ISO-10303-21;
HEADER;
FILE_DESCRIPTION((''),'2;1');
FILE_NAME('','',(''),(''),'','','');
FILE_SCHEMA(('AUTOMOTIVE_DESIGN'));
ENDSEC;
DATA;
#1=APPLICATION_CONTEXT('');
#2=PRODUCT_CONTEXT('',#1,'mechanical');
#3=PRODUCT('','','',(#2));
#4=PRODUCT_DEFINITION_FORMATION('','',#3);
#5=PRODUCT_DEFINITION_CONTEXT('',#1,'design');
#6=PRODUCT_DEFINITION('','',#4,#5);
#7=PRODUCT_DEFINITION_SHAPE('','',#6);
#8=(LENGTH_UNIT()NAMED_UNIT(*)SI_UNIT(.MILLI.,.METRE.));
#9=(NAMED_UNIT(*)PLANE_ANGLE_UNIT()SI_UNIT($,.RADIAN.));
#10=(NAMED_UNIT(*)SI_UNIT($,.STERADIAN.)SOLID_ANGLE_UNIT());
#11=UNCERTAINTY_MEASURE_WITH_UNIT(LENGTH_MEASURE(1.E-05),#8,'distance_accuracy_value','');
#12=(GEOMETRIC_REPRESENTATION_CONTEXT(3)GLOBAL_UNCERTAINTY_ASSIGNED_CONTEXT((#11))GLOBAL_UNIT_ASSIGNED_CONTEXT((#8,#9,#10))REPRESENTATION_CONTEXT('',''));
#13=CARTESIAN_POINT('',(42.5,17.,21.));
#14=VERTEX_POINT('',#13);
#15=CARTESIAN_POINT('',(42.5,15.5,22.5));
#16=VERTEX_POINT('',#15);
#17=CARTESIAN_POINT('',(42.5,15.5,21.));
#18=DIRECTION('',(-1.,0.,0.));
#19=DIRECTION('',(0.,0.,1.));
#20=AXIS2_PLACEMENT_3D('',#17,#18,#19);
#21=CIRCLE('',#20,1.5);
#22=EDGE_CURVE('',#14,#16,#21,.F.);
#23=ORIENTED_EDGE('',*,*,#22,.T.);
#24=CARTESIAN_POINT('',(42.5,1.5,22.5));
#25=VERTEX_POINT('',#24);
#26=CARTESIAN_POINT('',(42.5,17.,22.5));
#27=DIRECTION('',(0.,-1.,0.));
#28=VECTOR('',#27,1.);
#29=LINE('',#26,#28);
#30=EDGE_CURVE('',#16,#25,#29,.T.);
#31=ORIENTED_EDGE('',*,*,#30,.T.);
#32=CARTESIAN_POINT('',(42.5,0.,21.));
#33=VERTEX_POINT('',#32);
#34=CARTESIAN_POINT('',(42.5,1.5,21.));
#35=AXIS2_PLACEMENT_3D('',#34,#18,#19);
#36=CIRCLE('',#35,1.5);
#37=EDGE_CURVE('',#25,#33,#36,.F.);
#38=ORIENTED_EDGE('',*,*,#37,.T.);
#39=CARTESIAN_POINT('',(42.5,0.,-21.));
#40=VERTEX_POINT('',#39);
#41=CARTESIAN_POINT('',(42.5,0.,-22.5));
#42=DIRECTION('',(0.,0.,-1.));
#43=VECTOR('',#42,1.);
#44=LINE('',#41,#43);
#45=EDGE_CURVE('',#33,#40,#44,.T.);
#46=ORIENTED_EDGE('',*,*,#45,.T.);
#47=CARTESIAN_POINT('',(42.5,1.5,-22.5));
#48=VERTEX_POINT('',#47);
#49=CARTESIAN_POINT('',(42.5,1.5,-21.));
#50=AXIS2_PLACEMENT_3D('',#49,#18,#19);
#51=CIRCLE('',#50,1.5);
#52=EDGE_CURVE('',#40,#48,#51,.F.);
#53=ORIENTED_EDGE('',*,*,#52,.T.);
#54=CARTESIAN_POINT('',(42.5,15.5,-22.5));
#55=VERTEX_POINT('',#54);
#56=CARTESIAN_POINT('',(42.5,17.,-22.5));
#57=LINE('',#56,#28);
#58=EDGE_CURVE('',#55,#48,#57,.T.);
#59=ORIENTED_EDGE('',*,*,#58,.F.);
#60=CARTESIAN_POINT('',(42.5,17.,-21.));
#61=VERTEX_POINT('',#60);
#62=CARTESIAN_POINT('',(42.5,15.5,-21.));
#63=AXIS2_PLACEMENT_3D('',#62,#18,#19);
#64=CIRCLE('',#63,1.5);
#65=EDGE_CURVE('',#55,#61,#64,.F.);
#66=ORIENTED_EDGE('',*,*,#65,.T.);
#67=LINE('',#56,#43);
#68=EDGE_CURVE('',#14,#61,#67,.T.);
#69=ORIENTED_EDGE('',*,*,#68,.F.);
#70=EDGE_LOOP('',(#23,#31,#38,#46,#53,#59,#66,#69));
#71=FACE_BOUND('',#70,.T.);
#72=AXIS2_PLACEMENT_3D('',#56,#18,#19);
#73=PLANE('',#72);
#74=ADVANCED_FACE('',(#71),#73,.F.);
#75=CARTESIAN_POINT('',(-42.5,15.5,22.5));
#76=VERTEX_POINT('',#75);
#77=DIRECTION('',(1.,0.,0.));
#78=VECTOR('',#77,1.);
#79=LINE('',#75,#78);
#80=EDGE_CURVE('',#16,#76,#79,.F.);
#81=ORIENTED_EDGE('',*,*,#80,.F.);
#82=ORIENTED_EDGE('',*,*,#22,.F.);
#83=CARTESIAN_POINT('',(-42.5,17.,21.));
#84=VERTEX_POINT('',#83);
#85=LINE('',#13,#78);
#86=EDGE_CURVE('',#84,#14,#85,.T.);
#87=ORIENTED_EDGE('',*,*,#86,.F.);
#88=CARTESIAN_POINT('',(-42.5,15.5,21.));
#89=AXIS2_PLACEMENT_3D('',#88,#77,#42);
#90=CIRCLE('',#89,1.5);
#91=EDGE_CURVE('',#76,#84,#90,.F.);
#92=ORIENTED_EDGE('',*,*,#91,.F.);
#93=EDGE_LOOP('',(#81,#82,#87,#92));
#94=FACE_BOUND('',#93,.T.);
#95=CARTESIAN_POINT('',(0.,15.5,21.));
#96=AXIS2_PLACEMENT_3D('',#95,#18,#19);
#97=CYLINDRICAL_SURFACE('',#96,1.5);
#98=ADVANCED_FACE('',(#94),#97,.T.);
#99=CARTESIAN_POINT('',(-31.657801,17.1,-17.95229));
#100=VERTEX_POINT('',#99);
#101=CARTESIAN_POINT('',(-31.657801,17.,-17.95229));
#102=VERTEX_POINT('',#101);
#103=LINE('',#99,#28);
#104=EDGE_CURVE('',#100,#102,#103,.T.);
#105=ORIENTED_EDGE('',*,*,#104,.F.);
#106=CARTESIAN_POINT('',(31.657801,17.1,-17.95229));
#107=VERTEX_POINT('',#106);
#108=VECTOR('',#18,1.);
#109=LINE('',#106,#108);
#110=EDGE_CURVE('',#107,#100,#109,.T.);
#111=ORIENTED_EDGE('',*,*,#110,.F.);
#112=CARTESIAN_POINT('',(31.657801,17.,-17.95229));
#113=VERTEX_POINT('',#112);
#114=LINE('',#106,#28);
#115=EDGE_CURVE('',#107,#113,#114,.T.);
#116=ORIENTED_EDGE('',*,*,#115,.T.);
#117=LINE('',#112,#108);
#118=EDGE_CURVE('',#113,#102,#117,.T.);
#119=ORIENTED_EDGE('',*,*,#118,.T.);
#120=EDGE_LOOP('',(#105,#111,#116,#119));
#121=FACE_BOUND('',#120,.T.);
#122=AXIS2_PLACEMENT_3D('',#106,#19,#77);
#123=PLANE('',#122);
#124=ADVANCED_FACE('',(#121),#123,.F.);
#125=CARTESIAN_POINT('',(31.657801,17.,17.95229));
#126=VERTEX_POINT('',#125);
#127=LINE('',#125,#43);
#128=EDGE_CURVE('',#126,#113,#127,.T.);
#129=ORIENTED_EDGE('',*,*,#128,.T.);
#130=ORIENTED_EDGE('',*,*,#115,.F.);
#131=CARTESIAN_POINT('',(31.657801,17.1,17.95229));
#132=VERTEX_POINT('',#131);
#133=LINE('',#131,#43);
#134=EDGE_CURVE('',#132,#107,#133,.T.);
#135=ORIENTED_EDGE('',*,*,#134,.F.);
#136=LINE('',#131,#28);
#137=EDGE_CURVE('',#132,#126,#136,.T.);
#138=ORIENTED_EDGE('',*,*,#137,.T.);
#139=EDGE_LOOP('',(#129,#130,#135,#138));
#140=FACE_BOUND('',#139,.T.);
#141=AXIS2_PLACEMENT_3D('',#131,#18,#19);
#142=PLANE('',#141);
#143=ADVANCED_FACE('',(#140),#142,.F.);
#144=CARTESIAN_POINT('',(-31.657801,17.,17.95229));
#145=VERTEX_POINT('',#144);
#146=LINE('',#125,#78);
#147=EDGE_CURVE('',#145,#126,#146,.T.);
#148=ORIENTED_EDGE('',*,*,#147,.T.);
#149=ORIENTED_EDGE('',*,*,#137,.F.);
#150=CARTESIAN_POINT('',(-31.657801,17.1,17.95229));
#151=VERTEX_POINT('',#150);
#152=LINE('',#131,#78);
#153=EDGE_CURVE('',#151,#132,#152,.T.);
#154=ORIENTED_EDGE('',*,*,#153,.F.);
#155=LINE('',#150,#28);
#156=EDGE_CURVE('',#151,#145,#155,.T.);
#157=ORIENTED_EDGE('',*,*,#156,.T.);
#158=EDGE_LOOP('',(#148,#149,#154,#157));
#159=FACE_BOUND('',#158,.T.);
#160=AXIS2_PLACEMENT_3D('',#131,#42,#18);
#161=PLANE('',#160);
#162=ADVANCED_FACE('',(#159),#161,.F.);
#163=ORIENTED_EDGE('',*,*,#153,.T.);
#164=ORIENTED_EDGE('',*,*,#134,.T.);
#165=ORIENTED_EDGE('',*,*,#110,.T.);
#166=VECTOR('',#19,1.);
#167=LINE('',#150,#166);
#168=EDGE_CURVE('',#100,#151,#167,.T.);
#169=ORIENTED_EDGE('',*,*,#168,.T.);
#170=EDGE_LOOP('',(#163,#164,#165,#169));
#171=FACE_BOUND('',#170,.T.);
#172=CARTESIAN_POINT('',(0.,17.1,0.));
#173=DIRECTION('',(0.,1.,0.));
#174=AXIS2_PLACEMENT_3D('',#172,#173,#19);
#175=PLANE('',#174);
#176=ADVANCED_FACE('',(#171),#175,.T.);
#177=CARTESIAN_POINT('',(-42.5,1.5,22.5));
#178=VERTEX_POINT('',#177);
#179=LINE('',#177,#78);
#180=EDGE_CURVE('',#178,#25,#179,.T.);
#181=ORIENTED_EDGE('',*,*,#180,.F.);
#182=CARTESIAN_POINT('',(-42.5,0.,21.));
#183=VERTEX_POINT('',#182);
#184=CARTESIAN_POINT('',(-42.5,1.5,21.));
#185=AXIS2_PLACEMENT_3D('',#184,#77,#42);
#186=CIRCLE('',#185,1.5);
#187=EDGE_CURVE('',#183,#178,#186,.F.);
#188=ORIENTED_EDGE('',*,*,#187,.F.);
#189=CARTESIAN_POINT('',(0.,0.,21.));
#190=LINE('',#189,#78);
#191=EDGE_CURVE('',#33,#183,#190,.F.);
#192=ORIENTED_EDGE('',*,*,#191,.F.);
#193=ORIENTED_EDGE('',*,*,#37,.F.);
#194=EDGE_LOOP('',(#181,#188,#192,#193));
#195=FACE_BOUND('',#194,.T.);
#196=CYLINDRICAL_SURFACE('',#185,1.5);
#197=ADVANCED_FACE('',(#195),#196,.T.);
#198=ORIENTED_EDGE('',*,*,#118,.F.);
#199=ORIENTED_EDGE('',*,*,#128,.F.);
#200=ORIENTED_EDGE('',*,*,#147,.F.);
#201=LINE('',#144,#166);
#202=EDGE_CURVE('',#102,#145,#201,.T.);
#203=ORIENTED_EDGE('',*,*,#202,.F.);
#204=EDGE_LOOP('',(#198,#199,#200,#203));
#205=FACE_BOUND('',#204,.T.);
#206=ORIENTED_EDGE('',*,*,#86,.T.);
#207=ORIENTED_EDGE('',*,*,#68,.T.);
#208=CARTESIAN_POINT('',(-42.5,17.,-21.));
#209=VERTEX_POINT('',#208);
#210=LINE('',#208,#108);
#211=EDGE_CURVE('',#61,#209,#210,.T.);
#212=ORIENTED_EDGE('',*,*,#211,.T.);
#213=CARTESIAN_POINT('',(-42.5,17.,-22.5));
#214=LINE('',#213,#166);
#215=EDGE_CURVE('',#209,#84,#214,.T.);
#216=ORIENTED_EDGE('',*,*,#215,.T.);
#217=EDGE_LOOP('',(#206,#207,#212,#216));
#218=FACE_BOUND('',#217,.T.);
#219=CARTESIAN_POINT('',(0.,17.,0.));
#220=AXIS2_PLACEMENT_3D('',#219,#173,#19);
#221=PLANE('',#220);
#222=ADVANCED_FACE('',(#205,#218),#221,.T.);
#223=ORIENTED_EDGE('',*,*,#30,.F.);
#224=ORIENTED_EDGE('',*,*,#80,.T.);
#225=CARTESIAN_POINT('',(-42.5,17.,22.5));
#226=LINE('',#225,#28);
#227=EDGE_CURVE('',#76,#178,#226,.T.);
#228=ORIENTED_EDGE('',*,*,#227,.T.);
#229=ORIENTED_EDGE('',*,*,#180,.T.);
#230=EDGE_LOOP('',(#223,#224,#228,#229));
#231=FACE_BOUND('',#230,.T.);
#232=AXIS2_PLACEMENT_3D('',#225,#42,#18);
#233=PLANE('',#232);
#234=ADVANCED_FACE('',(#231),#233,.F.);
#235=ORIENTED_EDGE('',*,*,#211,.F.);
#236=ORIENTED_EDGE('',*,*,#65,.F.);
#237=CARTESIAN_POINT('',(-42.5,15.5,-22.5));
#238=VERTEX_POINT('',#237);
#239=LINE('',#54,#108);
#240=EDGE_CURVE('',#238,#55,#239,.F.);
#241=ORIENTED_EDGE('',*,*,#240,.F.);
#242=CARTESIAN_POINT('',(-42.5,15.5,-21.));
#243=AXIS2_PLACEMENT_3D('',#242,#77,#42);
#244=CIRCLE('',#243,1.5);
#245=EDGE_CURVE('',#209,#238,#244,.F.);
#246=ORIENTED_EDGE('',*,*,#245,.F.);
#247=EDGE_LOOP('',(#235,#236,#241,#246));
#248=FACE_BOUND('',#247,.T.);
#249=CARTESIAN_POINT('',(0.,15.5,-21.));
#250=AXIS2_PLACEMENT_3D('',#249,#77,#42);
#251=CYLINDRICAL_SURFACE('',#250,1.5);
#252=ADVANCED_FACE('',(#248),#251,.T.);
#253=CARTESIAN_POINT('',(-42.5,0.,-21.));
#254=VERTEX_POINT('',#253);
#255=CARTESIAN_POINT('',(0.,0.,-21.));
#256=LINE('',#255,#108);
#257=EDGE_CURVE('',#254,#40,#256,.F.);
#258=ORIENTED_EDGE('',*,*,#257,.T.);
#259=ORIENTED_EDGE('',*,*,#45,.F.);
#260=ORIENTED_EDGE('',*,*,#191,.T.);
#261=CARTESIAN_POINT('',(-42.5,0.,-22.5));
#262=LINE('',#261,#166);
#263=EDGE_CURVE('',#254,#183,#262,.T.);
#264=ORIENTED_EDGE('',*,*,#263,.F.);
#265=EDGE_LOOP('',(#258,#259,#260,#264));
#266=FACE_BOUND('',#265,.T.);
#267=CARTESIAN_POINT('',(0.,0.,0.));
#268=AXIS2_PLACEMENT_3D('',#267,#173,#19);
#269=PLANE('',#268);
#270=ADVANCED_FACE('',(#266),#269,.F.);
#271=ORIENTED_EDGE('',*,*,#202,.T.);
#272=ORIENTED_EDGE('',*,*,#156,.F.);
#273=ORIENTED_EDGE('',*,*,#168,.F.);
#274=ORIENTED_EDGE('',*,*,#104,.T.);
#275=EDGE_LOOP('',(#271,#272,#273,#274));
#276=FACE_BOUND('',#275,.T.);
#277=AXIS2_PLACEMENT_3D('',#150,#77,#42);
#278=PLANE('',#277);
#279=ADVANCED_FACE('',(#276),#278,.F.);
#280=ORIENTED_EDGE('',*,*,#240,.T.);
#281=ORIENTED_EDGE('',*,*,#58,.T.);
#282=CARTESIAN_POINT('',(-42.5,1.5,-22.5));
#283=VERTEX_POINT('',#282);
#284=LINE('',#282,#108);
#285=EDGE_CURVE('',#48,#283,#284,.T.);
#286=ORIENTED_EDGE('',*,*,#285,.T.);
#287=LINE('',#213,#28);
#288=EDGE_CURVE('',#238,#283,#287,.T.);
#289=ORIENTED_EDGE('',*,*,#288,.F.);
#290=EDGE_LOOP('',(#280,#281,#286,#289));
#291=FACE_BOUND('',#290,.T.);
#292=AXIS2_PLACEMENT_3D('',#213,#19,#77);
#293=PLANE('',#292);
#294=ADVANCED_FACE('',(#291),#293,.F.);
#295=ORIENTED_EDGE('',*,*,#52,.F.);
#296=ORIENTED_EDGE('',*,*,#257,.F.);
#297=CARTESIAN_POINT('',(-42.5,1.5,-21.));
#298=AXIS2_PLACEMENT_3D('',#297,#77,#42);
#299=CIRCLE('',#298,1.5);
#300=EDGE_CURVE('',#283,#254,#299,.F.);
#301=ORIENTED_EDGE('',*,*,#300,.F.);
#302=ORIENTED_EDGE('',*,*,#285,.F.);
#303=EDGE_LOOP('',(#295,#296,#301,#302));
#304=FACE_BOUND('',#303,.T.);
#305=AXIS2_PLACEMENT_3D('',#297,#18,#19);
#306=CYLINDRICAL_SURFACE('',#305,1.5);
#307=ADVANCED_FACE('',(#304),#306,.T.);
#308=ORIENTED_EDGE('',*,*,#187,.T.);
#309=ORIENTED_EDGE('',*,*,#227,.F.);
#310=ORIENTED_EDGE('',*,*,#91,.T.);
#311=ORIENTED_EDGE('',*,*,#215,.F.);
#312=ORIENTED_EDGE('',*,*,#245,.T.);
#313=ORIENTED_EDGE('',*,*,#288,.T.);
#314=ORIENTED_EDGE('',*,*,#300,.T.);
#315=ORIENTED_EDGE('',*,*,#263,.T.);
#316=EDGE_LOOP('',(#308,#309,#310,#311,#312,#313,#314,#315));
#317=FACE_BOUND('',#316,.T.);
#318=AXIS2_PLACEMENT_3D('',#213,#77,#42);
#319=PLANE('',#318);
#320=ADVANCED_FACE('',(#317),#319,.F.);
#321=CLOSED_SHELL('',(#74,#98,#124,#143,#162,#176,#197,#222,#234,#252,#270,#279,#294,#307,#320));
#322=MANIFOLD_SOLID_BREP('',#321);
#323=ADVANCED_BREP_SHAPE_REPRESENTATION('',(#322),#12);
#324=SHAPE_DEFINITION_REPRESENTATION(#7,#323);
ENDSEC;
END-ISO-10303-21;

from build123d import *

# Parameters (mm, degrees)
ESBO_O1_W                = 85
ESBO_O1_H                = 45
RESSALTO_EXTRUS_O1_DEPTH = 17
FILETE1_R                = 1.5
ESBO_O2_W                = 63.315602634
ESBO_O2_H                = 35.904579542
RESSALTO_EXTRUS_O2_DEPTH = 0.1


with BuildPart() as part:
    # Esboço1 → Ressalto-extrusão1 (new body)
    with BuildSketch(Plane(origin=(0, 0, 0), x_dir=(1, 0, 0), z_dir=(0, 1, 0))):
        Rectangle(ESBO_O1_W, ESBO_O1_H)
    extrude(amount=RESSALTO_EXTRUS_O1_DEPTH)

    # Filete1
    filete1_edges = [part.edges().sort_by_distance(p)[0] for p in [
        (0, 17, 22.5),
        (0, 0, 22.5),
        (0, 0, -22.5),
        (0, 17, -22.5),
    ]]
    fillet(filete1_edges, radius=FILETE1_R)

    # Esboço2 → Ressalto-extrusão2 (add)
    with BuildSketch(Plane(origin=(0, 17, 0), x_dir=(1, 0, 0), z_dir=(0, 1, 0))):
        Rectangle(ESBO_O2_W, ESBO_O2_H)
    extrude(amount=RESSALTO_EXTRUS_O2_DEPTH)


solid = part.part
